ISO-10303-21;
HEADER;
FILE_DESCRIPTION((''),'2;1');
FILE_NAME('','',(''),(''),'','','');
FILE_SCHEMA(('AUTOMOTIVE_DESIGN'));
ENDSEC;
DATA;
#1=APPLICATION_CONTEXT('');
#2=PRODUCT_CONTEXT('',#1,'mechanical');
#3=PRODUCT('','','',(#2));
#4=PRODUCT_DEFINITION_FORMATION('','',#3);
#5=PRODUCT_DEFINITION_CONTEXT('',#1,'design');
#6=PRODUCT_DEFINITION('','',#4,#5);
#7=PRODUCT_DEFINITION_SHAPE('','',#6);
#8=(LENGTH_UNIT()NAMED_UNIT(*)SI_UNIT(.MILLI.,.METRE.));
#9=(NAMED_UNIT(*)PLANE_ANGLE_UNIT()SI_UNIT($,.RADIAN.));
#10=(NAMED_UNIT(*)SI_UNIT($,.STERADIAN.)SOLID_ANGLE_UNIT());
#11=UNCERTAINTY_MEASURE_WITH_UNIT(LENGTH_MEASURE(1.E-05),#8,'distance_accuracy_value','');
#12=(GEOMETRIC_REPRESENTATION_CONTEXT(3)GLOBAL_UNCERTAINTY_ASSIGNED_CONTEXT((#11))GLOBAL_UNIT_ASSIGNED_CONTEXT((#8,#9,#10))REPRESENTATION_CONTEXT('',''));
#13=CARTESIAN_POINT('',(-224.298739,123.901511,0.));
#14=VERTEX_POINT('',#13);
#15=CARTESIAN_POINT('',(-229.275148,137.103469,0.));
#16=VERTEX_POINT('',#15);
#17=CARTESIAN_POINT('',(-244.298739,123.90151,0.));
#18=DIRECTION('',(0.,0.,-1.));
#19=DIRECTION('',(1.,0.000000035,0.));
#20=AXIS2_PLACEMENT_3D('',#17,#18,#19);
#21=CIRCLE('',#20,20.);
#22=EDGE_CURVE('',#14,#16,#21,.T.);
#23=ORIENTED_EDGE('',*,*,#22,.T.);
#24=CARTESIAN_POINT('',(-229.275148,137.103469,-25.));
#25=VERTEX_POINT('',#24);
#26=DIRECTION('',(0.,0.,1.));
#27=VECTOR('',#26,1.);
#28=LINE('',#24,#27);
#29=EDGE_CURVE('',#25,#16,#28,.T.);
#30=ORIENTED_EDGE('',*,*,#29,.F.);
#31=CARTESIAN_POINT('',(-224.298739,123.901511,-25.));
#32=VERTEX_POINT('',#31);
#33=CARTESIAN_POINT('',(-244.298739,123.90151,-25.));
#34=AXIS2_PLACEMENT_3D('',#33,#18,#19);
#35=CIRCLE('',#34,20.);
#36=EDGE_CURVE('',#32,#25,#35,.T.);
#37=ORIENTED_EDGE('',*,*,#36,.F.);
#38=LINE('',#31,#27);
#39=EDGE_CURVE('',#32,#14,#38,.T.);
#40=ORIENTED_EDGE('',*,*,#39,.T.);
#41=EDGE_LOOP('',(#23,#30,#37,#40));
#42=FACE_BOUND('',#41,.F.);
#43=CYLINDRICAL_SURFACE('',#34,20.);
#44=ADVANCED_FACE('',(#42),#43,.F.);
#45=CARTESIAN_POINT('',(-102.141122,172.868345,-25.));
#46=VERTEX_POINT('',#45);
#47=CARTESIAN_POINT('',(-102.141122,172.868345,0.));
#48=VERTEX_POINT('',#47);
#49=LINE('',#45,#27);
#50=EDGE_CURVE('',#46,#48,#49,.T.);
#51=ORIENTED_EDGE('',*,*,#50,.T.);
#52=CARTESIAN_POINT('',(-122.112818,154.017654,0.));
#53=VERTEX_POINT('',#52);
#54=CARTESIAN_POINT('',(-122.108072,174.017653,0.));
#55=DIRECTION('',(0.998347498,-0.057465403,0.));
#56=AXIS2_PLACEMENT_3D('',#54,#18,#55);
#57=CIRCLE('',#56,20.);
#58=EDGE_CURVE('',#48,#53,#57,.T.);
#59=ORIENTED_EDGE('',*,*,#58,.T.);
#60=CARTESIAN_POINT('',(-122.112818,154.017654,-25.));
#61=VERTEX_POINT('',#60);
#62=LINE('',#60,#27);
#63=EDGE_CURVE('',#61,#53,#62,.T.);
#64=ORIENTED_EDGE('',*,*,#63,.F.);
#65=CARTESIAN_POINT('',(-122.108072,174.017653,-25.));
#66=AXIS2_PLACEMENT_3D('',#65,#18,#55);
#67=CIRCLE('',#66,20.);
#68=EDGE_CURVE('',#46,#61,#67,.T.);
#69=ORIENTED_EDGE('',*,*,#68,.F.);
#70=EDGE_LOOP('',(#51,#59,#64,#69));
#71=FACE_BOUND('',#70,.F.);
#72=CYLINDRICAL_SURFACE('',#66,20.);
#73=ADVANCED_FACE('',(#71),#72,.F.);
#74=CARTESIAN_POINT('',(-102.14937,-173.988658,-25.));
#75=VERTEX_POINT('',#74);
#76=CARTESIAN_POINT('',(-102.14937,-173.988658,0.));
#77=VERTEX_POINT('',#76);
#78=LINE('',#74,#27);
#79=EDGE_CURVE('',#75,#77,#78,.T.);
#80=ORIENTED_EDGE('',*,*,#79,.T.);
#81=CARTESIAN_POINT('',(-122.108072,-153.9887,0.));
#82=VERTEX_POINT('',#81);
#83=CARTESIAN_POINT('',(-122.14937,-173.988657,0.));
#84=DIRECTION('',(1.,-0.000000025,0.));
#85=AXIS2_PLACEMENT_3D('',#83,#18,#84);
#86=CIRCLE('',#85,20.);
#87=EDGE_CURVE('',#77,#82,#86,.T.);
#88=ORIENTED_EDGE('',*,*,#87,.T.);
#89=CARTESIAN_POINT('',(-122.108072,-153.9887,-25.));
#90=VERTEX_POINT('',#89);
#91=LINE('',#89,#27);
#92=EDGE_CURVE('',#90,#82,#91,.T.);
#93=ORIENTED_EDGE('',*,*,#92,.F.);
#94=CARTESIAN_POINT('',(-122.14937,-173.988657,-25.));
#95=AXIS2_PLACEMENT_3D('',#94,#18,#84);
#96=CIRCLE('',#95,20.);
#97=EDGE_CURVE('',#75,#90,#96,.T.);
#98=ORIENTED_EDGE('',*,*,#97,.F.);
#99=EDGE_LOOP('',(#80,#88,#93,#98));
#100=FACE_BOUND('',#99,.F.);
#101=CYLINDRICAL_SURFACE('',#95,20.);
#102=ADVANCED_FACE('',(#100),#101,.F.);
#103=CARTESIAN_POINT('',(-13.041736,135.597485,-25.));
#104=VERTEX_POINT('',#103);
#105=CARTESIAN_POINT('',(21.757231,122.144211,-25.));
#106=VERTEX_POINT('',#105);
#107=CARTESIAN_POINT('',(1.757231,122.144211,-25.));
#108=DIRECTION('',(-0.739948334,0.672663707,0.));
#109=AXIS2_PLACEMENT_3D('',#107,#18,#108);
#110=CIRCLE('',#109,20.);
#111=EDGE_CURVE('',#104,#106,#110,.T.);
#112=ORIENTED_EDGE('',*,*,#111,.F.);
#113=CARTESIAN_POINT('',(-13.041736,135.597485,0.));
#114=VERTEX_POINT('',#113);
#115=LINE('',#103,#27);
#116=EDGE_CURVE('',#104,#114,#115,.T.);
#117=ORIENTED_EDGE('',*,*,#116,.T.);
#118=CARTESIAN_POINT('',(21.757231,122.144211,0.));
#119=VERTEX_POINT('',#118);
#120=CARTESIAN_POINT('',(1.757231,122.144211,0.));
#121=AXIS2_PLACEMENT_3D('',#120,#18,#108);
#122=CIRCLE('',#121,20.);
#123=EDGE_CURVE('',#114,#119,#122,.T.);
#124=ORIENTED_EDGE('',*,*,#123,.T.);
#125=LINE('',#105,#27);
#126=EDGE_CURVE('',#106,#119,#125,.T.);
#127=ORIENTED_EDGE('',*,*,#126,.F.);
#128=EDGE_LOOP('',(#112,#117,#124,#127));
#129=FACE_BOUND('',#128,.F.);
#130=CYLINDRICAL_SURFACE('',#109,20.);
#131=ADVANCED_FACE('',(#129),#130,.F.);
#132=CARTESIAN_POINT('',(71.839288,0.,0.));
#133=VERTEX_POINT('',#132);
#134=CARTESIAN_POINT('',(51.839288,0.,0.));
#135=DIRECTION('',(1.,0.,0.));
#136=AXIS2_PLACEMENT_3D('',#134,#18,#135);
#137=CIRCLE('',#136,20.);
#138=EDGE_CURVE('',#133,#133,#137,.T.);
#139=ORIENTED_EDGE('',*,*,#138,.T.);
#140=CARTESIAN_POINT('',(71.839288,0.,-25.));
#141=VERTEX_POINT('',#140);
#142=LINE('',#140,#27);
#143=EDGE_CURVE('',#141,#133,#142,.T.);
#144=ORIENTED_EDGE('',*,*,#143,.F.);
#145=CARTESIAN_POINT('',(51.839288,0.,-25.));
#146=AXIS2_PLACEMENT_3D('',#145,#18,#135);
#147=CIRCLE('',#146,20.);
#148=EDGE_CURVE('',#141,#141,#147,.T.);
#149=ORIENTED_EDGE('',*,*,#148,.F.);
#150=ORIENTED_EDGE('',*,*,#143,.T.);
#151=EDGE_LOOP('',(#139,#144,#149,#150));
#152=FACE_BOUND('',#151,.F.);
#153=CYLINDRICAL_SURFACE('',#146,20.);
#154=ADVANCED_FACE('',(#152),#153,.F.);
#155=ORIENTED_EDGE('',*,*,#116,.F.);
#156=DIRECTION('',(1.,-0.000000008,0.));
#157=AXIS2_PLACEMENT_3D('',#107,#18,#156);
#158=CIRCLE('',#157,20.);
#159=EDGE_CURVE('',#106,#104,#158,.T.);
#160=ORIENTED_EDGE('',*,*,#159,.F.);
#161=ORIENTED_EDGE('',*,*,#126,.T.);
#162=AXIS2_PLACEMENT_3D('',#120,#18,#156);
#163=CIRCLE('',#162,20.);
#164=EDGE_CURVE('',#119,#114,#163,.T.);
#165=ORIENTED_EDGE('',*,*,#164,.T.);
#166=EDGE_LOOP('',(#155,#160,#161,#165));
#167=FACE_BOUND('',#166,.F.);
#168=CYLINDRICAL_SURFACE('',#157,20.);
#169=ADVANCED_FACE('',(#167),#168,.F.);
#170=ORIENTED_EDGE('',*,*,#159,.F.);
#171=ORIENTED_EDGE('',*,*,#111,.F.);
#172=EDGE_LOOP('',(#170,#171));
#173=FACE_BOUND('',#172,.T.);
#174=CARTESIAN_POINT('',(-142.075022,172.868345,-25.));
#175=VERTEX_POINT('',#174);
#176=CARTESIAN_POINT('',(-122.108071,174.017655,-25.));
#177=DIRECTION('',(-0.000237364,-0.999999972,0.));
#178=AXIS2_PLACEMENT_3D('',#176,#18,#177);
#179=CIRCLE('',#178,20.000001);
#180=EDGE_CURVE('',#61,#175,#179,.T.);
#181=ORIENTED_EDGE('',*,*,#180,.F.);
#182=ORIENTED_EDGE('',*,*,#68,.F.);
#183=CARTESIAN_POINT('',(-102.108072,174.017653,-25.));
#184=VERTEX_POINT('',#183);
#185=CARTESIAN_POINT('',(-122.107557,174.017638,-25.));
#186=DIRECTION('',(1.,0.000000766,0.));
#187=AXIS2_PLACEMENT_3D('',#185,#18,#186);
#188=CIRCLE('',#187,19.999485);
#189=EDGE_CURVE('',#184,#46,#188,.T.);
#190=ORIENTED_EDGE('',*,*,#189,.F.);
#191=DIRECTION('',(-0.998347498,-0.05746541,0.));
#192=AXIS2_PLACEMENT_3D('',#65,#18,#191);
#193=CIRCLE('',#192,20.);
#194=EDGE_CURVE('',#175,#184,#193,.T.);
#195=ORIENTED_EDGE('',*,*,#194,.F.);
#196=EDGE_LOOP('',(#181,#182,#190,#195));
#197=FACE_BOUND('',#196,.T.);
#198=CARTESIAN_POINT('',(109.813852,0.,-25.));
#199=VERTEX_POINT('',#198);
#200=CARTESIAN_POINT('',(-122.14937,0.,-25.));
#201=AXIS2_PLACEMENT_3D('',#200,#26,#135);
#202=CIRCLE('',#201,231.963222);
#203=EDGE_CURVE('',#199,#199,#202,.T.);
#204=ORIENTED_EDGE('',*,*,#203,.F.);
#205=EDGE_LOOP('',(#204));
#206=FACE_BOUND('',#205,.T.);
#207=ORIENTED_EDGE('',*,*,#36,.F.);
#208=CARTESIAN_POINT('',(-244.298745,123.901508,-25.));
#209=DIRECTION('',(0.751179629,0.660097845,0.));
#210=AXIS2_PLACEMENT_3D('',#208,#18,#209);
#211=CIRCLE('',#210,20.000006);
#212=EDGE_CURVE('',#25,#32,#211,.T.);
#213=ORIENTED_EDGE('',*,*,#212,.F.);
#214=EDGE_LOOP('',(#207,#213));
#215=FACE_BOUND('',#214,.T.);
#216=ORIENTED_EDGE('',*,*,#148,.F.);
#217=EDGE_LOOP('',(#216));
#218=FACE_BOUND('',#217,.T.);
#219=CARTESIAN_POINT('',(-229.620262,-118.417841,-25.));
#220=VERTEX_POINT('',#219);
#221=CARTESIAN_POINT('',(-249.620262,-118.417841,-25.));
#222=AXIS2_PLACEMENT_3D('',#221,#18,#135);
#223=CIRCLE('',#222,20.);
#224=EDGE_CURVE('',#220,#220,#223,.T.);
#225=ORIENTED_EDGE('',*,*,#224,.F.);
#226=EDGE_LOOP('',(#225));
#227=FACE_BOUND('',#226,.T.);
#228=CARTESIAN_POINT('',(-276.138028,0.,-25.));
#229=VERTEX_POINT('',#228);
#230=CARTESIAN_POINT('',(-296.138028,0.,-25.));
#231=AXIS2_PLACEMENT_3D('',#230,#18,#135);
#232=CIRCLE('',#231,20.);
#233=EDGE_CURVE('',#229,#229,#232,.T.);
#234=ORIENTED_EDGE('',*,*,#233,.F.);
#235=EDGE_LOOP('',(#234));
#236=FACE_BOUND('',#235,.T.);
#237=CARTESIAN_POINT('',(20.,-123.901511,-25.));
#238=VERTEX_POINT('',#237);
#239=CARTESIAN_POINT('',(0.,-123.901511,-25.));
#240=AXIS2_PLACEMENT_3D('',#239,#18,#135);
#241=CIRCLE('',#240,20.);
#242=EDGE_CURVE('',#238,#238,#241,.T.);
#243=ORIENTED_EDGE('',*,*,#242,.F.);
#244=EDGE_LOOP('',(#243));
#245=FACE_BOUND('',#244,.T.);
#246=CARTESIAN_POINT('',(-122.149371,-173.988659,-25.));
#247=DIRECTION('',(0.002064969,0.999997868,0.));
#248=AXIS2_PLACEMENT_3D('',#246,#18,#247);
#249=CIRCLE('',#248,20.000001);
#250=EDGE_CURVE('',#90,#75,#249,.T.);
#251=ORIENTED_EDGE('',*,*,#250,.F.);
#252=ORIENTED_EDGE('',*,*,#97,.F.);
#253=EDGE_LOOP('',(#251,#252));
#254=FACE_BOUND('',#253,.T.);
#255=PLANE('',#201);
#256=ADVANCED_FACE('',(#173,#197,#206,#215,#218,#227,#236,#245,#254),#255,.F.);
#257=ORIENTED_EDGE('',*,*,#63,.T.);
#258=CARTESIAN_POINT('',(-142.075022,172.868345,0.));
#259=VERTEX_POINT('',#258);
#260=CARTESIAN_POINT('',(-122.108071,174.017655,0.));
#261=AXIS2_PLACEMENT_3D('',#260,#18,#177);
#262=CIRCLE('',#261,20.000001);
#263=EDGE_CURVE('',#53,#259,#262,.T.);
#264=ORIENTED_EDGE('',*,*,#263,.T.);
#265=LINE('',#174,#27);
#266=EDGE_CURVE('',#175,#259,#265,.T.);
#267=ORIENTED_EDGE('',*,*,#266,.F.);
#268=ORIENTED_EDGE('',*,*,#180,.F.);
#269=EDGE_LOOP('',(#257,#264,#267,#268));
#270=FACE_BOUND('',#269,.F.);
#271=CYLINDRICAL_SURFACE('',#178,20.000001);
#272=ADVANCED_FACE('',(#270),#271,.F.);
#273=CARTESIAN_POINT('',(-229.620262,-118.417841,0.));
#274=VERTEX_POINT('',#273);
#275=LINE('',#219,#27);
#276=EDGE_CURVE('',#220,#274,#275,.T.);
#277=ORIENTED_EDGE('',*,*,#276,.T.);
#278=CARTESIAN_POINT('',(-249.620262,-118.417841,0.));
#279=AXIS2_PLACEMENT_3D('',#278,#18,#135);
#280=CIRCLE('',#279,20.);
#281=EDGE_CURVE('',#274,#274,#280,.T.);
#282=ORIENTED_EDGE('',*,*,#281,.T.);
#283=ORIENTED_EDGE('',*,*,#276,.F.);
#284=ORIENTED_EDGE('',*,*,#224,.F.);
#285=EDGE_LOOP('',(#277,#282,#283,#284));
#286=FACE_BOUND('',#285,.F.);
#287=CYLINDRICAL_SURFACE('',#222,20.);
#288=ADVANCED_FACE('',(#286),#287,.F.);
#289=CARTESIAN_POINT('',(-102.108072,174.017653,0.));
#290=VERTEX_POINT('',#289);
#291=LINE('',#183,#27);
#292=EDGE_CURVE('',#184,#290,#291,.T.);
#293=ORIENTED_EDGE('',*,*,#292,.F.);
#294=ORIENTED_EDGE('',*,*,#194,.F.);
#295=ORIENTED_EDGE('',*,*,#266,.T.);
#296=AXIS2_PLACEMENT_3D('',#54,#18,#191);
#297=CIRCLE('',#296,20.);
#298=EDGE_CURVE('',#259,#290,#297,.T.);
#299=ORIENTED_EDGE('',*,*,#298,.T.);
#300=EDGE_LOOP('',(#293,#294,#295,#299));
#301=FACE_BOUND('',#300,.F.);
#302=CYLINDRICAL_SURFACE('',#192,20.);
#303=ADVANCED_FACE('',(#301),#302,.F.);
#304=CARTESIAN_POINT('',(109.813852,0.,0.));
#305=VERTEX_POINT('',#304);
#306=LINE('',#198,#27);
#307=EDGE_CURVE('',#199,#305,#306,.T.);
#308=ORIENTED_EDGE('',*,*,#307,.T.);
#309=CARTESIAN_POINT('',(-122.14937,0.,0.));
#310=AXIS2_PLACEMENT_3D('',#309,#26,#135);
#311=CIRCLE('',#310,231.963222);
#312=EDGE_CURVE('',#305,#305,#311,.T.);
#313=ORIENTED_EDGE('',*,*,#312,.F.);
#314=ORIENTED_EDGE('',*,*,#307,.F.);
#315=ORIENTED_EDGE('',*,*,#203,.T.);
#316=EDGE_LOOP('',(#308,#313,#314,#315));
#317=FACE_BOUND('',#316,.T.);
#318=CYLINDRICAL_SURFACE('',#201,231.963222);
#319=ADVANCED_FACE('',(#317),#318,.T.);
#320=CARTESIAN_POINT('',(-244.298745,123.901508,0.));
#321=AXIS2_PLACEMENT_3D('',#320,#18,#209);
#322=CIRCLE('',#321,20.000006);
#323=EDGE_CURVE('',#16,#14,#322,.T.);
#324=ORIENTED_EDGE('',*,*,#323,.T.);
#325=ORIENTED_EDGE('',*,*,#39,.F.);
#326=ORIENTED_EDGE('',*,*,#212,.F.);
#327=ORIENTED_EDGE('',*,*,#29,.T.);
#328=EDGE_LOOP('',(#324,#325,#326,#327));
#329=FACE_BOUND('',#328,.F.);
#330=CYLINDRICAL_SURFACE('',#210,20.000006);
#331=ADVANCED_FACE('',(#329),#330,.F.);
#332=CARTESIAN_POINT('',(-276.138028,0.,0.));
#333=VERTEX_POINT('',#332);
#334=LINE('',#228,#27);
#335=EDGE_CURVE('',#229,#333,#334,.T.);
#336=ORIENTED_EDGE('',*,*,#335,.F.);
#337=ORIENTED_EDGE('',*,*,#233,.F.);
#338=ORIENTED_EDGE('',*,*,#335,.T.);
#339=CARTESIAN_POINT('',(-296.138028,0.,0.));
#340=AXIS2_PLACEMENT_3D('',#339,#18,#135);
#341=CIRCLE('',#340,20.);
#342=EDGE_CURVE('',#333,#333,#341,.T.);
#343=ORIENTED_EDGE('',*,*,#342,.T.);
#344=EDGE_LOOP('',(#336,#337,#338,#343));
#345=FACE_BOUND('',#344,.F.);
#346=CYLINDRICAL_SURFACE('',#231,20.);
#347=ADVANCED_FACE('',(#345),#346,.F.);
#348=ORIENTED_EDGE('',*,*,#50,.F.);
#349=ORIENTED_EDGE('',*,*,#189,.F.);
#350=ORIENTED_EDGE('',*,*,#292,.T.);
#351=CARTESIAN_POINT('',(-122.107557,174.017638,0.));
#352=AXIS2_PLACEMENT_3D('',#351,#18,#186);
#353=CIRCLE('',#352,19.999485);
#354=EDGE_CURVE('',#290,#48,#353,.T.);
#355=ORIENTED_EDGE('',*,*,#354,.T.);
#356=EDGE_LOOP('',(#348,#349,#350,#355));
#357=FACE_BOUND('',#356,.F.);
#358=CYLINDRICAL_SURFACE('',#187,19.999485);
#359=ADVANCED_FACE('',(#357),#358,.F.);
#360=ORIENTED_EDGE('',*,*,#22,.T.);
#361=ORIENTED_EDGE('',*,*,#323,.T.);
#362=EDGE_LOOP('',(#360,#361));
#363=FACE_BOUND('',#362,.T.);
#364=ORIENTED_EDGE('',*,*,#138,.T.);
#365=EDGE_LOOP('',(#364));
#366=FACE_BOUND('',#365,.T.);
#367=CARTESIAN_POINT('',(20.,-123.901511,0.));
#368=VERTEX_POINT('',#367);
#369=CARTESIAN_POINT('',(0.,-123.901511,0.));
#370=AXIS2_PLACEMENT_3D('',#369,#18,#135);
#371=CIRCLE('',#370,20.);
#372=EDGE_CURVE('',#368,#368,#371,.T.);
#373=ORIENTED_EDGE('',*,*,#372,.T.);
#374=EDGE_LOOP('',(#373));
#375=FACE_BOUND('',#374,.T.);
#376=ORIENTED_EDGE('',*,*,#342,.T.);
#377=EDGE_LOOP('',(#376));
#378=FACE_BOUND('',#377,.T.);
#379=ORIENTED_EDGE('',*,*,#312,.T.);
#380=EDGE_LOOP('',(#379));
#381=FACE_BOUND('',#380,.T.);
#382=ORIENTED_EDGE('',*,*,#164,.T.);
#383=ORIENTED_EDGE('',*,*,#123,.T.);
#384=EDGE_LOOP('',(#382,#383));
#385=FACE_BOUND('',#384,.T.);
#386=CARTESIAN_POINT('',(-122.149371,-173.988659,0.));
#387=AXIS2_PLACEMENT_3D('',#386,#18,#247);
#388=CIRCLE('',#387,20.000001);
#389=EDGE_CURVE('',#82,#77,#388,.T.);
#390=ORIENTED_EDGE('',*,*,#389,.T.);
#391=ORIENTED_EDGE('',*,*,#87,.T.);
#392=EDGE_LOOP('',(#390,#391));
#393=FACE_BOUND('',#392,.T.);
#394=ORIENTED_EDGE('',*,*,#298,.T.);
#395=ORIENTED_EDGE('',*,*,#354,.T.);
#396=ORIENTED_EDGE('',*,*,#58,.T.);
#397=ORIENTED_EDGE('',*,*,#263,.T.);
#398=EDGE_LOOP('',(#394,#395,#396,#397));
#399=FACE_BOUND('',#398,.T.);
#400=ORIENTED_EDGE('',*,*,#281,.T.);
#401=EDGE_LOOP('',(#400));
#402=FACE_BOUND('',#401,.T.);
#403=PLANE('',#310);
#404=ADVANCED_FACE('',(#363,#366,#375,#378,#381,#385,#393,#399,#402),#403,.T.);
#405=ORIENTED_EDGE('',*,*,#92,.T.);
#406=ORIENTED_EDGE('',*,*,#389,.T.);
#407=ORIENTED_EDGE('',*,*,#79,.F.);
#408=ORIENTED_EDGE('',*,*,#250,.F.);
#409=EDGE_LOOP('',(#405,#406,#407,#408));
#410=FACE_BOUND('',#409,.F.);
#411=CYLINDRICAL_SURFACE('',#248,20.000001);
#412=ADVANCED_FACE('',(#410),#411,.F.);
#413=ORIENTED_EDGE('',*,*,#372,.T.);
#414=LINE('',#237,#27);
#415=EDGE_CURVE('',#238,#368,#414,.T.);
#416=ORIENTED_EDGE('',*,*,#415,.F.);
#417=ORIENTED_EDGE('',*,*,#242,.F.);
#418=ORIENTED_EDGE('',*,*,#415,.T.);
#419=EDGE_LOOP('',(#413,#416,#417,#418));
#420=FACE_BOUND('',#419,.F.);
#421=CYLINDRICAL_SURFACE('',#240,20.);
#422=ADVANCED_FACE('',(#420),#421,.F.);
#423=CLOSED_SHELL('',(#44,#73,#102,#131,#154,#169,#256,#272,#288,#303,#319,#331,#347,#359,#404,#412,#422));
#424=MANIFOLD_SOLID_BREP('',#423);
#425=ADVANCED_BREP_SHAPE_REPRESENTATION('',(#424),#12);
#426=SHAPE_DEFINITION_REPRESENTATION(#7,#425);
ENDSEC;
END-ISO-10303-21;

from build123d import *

# Parameters (mm, degrees)
F2_R     = 20
F3_DEPTH = 507.706612
F4_DEPTH = 346.473515


with BuildPart() as f1:
    # F0 (on Front) → F1 (revolve)
    with BuildSketch(Plane.XZ):
        Polygon((-122.14937, -25), (-26.473614, -25), (109.813852, -25), (109.813852, 0), (0, 0), (-26.473614, 0), (-122.14937, 0), align=None)
    revolve(axis=Axis((-122.14937, 0, 176.894253), (0, 0, 1)))

    # F2 (on face) → F3 (cut)
    with BuildSketch(Plane(origin=(0, 0, -25), x_dir=(1, 0, 0), z_dir=(0, 0, -1))):
        with Locations((-296.138028, 0)):
            Circle(F2_R)
    extrude(amount=-F3_DEPTH, mode=Mode.SUBTRACT)

    # F2 (on face) → F4 (cut)
    with BuildSketch(Plane(origin=(0, 0, -25), x_dir=(1, 0, 0), z_dir=(0, 0, -1))):
        with Locations((-249.620262, 118.417841)):
            Circle(F2_R)
        with Locations((-296.138028, 0)):
            Circle(F2_R)
        with BuildLine():
            ThreePointArc((-229.275148, -137.103469), (-225.584149, -130.955878), (-224.298739, -123.901511))
            ThreePointArc((-224.298739, -123.901511), (-263.01333, -116.847144), (-229.275148, -137.103469))
        make_face()
        with BuildLine():
            ThreePointArc((-102.14937, 173.988658), (-136.306099, 188.116185), (-122.108072, 153.9887))
            ThreePointArc((-122.108072, 153.9887), (-107.992641, 159.861131), (-102.14937, 173.988658))
        make_face()
        with BuildLine():
            ThreePointArc((21.757231, -122.144211), (-5.454588, -103.48973), (-13.041736, -135.597485))
            ThreePointArc((-13.041736, -135.597485), (8.96905, -140.798692), (21.757231, -122.144211))
        make_face()
        with BuildLine():
            ThreePointArc((-122.112818, -154.017654), (-135.839579, -159.476481), (-142.075022, -172.868345))
            ThreePointArc((-142.075022, -172.868345), (-132.108072, -173.730088), (-122.108072, -174.017653))
            Line((-122.108072, -174.017653), (-122.112818, -154.017654))
        make_face()
        with BuildLine():
            ThreePointArc((-122.108072, -174.017653), (-132.108072, -173.730088), (-142.075022, -172.868345))
            ThreePointArc((-142.075022, -172.868345), (-122.682964, -194.009389), (-102.108072, -174.017653))
            ThreePointArc((-102.108072, -174.017653), (-102.116336, -173.442761), (-102.141122, -172.868345))
            ThreePointArc((-102.141122, -172.868345), (-112.108072, -173.730088), (-122.108072, -174.017653))
        make_face()
        with BuildLine():
            ThreePointArc((-102.141122, -172.868345), (-108.380016, -159.473222), (-122.112818, -154.017654))
            Line((-122.112818, -154.017654), (-122.108072, -174.017653))
            ThreePointArc((-122.108072, -174.017653), (-112.108072, -173.730088), (-102.141122, -172.868345))
        make_face()
        with Locations((51.839288, 0)):
            Circle(F2_R)
        with Locations((0, 123.901511)):
            Circle(F2_R)
    extrude(amount=-F4_DEPTH, mode=Mode.SUBTRACT)


solid = f1.part
